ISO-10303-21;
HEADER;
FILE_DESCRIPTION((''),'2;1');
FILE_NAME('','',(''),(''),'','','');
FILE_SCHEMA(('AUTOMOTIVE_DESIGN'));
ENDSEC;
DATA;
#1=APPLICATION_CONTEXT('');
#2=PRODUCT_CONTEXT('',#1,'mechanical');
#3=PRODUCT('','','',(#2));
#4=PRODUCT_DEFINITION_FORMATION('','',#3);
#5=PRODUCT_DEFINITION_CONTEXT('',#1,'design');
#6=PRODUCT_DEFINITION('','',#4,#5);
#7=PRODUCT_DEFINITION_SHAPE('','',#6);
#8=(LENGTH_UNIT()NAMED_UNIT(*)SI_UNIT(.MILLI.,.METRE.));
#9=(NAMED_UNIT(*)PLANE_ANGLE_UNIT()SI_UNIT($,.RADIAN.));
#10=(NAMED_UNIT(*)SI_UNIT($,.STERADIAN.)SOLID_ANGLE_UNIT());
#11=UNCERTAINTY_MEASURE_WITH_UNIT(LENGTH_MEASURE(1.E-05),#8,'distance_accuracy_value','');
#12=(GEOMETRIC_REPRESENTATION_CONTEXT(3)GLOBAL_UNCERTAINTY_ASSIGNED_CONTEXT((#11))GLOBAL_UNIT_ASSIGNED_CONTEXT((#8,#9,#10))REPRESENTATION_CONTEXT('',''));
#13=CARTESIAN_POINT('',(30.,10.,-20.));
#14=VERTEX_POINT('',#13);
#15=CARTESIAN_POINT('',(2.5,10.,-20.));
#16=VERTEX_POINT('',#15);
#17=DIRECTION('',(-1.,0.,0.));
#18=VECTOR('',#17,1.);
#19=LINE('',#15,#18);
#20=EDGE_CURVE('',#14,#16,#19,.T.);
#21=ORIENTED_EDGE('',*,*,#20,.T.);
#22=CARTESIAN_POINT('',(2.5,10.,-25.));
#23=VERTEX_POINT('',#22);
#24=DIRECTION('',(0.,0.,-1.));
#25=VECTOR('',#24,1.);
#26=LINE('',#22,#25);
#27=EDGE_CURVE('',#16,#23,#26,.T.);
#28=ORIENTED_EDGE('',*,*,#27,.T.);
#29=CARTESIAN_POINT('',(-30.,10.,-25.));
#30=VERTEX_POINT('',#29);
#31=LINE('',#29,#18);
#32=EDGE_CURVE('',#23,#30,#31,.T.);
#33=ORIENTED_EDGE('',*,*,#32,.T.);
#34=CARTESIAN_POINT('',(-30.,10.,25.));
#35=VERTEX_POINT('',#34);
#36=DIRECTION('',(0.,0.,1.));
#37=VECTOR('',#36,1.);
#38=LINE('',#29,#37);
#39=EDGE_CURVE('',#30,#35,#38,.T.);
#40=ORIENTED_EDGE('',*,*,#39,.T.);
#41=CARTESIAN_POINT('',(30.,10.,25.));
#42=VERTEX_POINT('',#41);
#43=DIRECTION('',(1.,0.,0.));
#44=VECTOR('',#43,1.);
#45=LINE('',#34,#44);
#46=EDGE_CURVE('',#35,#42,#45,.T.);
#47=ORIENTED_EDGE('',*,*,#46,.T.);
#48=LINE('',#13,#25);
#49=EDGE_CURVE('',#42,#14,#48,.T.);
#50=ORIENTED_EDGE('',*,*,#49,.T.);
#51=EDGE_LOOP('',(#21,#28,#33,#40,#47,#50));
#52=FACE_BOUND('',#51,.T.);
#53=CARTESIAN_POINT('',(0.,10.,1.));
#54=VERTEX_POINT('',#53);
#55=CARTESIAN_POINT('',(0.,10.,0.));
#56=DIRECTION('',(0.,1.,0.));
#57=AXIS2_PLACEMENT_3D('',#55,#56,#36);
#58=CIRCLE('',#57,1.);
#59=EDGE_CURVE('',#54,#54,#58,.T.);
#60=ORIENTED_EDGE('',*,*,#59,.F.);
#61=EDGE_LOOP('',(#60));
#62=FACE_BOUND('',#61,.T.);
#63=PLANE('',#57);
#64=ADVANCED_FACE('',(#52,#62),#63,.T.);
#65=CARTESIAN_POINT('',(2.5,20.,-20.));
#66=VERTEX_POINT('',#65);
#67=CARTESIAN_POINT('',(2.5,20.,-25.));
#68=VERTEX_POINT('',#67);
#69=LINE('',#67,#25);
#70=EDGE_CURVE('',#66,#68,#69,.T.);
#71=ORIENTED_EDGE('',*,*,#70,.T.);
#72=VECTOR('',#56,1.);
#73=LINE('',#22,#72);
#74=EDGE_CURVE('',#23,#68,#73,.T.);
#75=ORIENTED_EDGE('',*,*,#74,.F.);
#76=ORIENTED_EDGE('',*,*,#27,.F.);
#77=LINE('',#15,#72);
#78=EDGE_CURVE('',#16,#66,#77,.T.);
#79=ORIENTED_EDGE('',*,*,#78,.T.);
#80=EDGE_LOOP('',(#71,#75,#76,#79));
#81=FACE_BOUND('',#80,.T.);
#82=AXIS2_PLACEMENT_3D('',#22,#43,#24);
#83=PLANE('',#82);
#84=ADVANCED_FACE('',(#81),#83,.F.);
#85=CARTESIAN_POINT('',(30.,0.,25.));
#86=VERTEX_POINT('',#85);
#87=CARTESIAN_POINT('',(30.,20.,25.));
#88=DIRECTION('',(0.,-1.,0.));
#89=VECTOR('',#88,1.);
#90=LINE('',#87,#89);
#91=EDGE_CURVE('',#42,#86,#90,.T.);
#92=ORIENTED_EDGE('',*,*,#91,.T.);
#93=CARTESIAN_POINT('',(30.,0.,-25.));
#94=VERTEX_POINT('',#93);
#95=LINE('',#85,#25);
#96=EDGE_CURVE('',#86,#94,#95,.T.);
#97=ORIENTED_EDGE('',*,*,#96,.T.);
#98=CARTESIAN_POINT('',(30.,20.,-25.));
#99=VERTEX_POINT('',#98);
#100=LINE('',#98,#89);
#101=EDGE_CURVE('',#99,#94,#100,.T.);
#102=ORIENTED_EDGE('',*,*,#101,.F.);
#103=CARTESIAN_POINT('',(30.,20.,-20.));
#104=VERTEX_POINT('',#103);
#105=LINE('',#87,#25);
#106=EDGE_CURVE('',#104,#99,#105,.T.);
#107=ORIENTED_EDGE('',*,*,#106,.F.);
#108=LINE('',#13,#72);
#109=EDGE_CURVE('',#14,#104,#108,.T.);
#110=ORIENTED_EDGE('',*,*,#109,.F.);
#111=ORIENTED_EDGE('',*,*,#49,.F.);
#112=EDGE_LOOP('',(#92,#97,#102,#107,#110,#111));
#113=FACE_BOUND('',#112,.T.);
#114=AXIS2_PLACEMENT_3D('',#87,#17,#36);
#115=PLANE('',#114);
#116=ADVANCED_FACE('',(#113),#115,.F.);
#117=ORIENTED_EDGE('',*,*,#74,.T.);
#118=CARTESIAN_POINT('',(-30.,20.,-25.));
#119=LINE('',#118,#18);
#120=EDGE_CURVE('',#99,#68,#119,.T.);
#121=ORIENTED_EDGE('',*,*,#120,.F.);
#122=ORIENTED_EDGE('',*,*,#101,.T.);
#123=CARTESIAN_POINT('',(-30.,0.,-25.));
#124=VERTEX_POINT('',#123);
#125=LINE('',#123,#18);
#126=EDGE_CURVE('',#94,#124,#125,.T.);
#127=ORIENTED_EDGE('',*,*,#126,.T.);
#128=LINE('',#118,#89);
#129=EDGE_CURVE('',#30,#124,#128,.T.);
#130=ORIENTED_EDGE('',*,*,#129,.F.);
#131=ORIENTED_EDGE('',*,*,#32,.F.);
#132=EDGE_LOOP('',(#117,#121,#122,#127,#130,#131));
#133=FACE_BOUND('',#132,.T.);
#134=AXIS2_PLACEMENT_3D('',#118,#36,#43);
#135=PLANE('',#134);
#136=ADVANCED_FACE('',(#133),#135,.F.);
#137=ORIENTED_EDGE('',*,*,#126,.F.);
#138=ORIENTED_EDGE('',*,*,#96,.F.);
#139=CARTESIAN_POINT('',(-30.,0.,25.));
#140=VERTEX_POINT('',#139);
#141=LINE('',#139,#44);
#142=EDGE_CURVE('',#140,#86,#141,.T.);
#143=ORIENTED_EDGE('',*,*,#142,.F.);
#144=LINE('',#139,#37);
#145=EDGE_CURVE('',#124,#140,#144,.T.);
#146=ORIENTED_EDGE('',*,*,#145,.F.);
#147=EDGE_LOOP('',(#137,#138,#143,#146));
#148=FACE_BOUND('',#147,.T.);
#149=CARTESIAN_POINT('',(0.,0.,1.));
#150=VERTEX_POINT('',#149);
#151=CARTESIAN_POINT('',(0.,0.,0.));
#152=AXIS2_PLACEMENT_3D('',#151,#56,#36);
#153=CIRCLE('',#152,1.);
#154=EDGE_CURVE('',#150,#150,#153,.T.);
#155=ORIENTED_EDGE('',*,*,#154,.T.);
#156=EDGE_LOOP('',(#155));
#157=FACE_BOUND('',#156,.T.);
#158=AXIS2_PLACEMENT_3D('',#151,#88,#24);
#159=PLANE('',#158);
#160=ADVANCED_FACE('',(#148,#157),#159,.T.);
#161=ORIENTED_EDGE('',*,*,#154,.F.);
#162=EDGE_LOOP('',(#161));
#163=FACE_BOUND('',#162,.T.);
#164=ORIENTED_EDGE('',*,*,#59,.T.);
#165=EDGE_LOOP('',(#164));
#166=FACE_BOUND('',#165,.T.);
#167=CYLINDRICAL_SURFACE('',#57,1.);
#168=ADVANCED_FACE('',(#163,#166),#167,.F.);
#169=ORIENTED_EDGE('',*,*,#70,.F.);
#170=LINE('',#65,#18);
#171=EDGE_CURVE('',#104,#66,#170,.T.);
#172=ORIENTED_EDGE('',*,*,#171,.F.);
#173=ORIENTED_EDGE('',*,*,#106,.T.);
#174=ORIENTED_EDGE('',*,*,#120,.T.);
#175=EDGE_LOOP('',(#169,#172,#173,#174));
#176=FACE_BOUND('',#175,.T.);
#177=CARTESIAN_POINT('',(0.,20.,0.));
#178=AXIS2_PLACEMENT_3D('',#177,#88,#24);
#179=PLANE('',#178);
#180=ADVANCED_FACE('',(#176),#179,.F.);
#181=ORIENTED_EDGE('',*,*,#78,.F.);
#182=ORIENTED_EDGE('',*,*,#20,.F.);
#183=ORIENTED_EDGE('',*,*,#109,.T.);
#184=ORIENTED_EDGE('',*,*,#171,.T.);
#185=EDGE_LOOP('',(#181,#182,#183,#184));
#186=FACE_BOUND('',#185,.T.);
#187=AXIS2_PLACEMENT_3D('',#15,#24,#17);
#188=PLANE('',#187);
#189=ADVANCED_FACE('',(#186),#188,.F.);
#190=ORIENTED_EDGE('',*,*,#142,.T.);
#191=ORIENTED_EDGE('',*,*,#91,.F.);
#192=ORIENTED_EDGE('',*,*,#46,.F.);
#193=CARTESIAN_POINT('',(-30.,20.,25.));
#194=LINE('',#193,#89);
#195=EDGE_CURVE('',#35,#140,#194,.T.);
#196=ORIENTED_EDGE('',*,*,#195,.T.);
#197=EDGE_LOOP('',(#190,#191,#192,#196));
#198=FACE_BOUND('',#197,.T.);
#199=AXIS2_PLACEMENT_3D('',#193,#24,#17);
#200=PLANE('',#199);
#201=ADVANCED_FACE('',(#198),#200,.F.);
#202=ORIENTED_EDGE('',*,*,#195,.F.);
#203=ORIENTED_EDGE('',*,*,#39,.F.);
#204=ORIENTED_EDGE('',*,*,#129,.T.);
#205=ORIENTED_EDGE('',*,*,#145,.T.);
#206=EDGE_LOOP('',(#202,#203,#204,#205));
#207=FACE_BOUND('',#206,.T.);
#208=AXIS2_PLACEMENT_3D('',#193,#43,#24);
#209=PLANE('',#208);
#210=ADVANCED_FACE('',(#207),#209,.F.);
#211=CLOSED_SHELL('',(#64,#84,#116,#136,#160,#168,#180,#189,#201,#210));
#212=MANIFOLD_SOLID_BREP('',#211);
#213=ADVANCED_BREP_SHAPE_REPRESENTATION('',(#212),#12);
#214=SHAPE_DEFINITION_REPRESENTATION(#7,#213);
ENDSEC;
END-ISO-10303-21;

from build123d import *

# Parameters (mm, degrees)
SKETCH1_W             = 60
SKETCH1_H             = 50
BOSS_EXTRUDE1_DEPTH   = 20
CUT_EXTRUDE1_DEPTH    = 10
F_2MM_DIAMETER_HOLE_D = 2


with BuildPart() as part:
    # Sketch1 → Boss-Extrude1 (new body)
    with BuildSketch(Plane(origin=(0, 0, 0), x_dir=(1, 0, 0), z_dir=(0, 1, 0))):
        Rectangle(SKETCH1_W, SKETCH1_H)
    extrude(amount=BOSS_EXTRUDE1_DEPTH)

    # Sketch2 → Cut-Extrude1 (cut)
    with BuildSketch(Plane(origin=(0, 20, 0), x_dir=(1, 0, 0), z_dir=(0, 1, 0))):
        Polygon((-30, 25), (2.5, 25), (2.5, 20), (30, 20), (30, -25), (2.5, -25), (-30, -25), align=None)
    extrude(amount=-CUT_EXTRUDE1_DEPTH, mode=Mode.SUBTRACT)

    # 2mm Diameter Hole (through all)
    with Locations(Plane(origin=(0, 10, 0), x_dir=(1, 0, 0), z_dir=(0, 1, 0))):
        with Locations((0, 0)):
            Hole(F_2MM_DIAMETER_HOLE_D / 2)


solid = part.part
